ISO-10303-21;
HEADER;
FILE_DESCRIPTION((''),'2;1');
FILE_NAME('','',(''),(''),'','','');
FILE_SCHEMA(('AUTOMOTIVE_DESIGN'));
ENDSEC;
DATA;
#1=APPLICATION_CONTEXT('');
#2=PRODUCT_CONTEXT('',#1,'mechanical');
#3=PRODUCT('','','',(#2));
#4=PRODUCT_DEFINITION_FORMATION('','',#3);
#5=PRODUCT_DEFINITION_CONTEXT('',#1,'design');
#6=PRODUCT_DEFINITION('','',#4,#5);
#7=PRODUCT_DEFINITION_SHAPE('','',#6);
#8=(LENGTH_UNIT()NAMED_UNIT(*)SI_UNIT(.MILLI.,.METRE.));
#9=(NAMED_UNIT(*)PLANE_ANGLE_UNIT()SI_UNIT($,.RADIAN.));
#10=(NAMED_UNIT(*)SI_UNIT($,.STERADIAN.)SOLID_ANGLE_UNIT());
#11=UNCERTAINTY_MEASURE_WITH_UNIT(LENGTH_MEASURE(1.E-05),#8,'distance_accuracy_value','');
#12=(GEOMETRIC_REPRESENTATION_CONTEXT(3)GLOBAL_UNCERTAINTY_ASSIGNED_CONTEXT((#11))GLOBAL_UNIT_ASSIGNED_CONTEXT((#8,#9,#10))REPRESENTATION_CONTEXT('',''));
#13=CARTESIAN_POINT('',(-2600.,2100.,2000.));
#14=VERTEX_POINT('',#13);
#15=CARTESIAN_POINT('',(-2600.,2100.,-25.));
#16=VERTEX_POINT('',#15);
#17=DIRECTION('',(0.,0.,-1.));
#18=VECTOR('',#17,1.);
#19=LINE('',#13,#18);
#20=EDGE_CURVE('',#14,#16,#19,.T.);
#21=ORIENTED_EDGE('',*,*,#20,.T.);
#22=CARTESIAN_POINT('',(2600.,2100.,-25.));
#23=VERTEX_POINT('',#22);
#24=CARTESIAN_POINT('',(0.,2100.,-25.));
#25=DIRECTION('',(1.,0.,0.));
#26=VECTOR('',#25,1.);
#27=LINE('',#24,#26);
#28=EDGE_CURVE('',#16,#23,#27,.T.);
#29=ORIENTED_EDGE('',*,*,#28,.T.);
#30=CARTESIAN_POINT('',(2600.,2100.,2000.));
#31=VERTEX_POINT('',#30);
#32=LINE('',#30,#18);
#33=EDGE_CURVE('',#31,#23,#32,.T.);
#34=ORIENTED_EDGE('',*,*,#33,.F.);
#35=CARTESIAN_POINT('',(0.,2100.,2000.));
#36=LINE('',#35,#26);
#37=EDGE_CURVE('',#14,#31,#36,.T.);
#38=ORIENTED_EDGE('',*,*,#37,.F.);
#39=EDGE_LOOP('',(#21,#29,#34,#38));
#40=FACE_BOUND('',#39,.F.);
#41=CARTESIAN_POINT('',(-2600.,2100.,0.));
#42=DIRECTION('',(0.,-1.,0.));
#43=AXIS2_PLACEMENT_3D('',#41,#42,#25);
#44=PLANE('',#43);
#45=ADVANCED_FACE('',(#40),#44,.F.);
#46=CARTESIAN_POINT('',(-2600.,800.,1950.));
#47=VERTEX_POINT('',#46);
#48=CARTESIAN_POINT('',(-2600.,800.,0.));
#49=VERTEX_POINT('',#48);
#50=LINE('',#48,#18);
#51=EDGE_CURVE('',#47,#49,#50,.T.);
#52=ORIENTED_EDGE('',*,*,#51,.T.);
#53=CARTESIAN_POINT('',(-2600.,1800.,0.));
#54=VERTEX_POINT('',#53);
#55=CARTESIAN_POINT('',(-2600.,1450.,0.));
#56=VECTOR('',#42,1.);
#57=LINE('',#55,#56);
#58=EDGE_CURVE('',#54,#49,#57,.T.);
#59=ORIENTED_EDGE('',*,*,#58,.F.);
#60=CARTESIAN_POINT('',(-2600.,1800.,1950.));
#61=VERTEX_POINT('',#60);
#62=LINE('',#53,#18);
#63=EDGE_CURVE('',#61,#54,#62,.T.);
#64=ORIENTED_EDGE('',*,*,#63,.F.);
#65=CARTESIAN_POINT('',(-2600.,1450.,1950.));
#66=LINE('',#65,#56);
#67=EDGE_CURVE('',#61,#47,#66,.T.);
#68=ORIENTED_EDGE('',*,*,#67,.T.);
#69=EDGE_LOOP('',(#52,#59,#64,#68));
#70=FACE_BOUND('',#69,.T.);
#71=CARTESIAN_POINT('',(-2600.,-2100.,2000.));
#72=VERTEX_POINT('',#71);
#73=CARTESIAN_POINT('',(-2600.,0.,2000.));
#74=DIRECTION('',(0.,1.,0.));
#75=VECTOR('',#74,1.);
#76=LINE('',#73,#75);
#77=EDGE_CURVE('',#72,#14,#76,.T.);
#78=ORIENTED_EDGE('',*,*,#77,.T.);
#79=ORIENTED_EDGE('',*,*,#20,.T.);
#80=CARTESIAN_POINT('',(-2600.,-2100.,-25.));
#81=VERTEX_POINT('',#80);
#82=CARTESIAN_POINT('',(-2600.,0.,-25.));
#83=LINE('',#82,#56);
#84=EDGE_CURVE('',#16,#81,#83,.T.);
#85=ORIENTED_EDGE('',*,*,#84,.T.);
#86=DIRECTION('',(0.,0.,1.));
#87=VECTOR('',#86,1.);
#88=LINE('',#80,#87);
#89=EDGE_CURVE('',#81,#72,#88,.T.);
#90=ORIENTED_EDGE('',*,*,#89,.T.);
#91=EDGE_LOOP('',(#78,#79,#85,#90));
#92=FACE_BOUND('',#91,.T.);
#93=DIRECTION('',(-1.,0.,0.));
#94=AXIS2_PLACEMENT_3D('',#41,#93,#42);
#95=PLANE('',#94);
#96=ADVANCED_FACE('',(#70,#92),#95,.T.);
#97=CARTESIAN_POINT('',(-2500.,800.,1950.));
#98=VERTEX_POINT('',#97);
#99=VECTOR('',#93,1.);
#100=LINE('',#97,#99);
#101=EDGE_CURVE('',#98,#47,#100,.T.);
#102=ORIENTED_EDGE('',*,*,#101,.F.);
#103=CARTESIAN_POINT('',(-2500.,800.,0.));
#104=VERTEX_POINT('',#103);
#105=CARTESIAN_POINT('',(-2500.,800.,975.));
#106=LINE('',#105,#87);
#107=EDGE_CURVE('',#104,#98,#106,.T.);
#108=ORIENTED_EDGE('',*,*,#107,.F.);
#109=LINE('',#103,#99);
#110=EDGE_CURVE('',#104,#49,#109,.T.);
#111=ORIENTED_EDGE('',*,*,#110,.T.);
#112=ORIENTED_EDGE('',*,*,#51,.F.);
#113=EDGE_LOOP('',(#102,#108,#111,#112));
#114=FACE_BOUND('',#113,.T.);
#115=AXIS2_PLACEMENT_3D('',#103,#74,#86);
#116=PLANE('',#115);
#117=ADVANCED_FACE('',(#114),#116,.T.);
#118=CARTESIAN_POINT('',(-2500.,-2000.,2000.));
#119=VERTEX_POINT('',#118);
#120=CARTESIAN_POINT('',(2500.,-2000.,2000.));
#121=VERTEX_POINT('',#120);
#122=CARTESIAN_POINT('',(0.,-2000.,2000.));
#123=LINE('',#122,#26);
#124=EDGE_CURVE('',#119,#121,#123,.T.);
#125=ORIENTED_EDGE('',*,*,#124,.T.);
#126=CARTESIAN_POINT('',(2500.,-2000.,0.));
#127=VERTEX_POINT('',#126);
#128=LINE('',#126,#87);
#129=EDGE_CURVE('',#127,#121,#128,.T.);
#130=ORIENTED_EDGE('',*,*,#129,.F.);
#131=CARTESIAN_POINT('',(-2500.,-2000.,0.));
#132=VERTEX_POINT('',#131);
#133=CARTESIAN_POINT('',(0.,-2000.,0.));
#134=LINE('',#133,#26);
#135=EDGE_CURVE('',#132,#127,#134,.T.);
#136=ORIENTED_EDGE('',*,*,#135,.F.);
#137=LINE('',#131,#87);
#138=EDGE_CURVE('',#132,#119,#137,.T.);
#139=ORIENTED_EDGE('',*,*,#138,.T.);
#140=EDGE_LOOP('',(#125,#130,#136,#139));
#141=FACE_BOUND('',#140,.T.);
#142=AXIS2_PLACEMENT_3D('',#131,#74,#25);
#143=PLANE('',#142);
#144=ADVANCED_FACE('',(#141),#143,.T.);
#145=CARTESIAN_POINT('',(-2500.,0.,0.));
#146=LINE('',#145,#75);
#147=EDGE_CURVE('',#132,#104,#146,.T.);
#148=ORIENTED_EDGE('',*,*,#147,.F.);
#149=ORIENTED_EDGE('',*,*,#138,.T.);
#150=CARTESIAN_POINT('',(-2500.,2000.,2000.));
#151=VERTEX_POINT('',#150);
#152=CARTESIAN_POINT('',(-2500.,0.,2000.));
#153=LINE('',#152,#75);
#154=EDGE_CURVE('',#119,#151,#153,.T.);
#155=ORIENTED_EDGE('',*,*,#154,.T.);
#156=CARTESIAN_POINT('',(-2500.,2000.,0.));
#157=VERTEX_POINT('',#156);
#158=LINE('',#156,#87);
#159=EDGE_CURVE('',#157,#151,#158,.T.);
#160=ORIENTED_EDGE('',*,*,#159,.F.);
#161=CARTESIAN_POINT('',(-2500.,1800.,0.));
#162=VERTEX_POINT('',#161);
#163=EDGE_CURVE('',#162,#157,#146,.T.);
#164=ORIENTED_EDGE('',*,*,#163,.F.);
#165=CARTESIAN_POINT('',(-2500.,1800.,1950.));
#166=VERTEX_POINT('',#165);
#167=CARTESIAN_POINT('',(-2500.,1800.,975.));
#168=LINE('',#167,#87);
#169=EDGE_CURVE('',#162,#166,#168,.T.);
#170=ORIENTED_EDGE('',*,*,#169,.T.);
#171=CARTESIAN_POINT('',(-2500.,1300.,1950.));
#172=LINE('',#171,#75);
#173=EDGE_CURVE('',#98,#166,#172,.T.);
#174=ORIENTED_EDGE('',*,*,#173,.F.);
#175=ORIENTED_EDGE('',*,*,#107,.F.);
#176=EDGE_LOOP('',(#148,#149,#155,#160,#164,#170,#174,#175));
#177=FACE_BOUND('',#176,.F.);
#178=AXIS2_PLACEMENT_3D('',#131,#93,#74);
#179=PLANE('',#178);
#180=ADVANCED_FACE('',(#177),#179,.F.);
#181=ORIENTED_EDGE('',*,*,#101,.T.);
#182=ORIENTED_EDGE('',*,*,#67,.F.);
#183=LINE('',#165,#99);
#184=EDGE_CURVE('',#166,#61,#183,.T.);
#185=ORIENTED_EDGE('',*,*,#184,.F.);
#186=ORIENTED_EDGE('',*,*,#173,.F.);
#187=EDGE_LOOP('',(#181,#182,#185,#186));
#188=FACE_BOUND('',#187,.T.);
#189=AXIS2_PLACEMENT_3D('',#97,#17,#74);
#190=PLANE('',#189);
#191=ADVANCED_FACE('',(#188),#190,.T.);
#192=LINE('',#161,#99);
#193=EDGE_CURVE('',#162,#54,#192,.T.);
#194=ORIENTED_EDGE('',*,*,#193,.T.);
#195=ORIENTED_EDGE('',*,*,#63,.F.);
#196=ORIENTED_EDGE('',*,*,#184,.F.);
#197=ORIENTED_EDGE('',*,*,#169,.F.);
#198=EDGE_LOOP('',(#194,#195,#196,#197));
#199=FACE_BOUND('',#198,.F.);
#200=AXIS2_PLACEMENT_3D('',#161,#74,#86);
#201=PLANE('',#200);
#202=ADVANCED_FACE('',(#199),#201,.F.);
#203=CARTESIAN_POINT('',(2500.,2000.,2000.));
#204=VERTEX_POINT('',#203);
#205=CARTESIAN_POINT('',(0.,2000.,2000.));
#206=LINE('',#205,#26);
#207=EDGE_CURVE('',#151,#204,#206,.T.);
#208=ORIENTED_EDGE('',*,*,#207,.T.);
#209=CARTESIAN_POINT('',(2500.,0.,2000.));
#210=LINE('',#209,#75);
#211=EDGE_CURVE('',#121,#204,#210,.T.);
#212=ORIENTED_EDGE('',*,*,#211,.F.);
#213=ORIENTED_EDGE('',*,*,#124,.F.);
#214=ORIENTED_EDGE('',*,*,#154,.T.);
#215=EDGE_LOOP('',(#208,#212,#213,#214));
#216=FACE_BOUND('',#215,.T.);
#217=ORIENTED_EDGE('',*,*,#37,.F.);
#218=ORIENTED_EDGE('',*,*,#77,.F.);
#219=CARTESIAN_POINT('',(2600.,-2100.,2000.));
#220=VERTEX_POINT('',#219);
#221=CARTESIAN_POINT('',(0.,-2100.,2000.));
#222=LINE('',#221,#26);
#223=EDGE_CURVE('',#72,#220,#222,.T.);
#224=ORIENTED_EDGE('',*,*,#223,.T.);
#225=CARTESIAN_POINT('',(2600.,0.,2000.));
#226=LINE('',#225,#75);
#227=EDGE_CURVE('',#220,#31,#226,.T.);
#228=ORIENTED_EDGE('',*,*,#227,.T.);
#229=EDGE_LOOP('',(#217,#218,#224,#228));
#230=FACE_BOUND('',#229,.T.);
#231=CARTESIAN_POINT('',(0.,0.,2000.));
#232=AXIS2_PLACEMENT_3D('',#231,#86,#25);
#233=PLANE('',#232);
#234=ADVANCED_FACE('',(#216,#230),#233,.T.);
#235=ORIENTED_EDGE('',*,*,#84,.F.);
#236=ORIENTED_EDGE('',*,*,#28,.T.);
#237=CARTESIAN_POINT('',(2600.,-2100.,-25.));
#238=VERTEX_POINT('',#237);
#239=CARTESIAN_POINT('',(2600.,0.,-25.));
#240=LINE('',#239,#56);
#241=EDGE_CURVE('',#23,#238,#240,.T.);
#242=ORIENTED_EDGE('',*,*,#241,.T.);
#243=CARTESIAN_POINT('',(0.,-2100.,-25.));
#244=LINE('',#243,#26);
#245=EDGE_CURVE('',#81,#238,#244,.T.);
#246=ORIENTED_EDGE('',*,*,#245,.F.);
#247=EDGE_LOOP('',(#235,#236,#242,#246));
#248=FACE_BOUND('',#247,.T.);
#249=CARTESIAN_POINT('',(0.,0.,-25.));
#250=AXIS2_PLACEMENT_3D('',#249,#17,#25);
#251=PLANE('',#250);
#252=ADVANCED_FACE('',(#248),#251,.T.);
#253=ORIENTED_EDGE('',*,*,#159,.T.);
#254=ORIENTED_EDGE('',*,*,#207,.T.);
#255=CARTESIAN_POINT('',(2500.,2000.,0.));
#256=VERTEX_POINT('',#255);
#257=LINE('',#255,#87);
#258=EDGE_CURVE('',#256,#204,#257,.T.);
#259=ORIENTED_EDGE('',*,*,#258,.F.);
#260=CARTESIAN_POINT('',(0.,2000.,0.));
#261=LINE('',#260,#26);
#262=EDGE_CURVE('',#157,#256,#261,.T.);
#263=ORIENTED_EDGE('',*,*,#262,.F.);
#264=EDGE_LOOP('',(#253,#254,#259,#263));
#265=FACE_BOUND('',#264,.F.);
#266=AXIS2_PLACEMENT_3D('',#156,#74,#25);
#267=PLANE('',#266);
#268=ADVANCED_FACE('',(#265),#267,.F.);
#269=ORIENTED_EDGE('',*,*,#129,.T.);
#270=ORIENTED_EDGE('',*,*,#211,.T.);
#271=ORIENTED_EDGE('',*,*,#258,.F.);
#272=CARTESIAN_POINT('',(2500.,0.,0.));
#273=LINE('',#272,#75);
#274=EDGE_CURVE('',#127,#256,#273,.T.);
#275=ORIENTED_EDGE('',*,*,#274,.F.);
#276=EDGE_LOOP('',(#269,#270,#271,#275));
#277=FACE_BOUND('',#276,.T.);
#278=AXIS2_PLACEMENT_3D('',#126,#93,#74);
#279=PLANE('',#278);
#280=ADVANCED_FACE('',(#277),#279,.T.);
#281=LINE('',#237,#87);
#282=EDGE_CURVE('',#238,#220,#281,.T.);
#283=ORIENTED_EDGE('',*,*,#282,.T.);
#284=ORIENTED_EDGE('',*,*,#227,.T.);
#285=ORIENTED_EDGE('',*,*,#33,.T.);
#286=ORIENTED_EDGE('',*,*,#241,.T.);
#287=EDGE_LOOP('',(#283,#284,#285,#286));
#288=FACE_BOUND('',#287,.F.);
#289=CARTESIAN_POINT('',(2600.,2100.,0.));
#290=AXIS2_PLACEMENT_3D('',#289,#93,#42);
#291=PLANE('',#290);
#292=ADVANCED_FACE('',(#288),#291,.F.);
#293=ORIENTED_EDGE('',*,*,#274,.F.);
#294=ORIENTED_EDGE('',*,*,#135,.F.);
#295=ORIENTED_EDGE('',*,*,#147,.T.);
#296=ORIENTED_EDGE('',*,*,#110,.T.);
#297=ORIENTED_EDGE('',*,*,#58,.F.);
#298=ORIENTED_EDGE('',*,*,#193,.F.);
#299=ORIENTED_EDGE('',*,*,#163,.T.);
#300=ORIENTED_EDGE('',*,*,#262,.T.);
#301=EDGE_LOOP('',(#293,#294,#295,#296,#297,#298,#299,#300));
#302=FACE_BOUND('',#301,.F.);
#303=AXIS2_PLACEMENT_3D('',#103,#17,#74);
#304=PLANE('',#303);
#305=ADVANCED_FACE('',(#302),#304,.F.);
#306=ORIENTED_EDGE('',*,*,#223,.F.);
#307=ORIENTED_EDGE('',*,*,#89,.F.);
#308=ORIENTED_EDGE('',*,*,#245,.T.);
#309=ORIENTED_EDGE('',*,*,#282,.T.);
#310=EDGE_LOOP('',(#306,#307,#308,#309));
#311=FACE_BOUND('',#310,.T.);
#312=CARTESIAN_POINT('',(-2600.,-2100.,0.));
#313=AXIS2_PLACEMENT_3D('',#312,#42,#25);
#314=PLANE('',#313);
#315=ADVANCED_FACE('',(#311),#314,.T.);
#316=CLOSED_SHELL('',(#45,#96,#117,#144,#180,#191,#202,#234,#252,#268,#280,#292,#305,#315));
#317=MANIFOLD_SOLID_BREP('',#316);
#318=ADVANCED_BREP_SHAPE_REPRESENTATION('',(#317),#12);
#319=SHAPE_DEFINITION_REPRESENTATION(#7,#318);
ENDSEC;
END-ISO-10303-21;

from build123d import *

# Parameters (mm, degrees)
F0_W     = 5200
F0_H     = 4200
F0_W_2   = 5000
F0_H_2   = 4000
F1_DEPTH = 2000
F2_W     = 5200
F2_H     = 4200
F2_W_2   = 5000
F2_H_2   = 4000
F3_DEPTH = 25
F4_W     = 1000
F4_H     = 1950
F5_DEPTH = 200


with BuildPart() as f1:
    # F0 (on Top) → F1 (new body)
    with BuildSketch(Plane.XY):
        Rectangle(F0_W, F0_H)
        Rectangle(F0_W_2, F0_H_2, mode=Mode.SUBTRACT)
    extrude(amount=F1_DEPTH)

    # F2 (on face) → F3 (join)
    with BuildSketch(Plane(origin=(0, 0, 0), x_dir=(1, 0, 0), z_dir=(0, 0, -1))):
        Rectangle(F2_W, F2_H)
        Rectangle(F2_W_2, F2_H_2, mode=Mode.SUBTRACT)
        Rectangle(F2_W_2, F2_H_2)
    extrude(amount=F3_DEPTH)

    # F4 (on face) → F5 (cut)
    with BuildSketch(Plane.YZ.offset(-2500)):
        with Locations((1300, 975)):
            Rectangle(F4_W, F4_H)
    extrude(amount=-F5_DEPTH, mode=Mode.SUBTRACT)


solid = f1.part
